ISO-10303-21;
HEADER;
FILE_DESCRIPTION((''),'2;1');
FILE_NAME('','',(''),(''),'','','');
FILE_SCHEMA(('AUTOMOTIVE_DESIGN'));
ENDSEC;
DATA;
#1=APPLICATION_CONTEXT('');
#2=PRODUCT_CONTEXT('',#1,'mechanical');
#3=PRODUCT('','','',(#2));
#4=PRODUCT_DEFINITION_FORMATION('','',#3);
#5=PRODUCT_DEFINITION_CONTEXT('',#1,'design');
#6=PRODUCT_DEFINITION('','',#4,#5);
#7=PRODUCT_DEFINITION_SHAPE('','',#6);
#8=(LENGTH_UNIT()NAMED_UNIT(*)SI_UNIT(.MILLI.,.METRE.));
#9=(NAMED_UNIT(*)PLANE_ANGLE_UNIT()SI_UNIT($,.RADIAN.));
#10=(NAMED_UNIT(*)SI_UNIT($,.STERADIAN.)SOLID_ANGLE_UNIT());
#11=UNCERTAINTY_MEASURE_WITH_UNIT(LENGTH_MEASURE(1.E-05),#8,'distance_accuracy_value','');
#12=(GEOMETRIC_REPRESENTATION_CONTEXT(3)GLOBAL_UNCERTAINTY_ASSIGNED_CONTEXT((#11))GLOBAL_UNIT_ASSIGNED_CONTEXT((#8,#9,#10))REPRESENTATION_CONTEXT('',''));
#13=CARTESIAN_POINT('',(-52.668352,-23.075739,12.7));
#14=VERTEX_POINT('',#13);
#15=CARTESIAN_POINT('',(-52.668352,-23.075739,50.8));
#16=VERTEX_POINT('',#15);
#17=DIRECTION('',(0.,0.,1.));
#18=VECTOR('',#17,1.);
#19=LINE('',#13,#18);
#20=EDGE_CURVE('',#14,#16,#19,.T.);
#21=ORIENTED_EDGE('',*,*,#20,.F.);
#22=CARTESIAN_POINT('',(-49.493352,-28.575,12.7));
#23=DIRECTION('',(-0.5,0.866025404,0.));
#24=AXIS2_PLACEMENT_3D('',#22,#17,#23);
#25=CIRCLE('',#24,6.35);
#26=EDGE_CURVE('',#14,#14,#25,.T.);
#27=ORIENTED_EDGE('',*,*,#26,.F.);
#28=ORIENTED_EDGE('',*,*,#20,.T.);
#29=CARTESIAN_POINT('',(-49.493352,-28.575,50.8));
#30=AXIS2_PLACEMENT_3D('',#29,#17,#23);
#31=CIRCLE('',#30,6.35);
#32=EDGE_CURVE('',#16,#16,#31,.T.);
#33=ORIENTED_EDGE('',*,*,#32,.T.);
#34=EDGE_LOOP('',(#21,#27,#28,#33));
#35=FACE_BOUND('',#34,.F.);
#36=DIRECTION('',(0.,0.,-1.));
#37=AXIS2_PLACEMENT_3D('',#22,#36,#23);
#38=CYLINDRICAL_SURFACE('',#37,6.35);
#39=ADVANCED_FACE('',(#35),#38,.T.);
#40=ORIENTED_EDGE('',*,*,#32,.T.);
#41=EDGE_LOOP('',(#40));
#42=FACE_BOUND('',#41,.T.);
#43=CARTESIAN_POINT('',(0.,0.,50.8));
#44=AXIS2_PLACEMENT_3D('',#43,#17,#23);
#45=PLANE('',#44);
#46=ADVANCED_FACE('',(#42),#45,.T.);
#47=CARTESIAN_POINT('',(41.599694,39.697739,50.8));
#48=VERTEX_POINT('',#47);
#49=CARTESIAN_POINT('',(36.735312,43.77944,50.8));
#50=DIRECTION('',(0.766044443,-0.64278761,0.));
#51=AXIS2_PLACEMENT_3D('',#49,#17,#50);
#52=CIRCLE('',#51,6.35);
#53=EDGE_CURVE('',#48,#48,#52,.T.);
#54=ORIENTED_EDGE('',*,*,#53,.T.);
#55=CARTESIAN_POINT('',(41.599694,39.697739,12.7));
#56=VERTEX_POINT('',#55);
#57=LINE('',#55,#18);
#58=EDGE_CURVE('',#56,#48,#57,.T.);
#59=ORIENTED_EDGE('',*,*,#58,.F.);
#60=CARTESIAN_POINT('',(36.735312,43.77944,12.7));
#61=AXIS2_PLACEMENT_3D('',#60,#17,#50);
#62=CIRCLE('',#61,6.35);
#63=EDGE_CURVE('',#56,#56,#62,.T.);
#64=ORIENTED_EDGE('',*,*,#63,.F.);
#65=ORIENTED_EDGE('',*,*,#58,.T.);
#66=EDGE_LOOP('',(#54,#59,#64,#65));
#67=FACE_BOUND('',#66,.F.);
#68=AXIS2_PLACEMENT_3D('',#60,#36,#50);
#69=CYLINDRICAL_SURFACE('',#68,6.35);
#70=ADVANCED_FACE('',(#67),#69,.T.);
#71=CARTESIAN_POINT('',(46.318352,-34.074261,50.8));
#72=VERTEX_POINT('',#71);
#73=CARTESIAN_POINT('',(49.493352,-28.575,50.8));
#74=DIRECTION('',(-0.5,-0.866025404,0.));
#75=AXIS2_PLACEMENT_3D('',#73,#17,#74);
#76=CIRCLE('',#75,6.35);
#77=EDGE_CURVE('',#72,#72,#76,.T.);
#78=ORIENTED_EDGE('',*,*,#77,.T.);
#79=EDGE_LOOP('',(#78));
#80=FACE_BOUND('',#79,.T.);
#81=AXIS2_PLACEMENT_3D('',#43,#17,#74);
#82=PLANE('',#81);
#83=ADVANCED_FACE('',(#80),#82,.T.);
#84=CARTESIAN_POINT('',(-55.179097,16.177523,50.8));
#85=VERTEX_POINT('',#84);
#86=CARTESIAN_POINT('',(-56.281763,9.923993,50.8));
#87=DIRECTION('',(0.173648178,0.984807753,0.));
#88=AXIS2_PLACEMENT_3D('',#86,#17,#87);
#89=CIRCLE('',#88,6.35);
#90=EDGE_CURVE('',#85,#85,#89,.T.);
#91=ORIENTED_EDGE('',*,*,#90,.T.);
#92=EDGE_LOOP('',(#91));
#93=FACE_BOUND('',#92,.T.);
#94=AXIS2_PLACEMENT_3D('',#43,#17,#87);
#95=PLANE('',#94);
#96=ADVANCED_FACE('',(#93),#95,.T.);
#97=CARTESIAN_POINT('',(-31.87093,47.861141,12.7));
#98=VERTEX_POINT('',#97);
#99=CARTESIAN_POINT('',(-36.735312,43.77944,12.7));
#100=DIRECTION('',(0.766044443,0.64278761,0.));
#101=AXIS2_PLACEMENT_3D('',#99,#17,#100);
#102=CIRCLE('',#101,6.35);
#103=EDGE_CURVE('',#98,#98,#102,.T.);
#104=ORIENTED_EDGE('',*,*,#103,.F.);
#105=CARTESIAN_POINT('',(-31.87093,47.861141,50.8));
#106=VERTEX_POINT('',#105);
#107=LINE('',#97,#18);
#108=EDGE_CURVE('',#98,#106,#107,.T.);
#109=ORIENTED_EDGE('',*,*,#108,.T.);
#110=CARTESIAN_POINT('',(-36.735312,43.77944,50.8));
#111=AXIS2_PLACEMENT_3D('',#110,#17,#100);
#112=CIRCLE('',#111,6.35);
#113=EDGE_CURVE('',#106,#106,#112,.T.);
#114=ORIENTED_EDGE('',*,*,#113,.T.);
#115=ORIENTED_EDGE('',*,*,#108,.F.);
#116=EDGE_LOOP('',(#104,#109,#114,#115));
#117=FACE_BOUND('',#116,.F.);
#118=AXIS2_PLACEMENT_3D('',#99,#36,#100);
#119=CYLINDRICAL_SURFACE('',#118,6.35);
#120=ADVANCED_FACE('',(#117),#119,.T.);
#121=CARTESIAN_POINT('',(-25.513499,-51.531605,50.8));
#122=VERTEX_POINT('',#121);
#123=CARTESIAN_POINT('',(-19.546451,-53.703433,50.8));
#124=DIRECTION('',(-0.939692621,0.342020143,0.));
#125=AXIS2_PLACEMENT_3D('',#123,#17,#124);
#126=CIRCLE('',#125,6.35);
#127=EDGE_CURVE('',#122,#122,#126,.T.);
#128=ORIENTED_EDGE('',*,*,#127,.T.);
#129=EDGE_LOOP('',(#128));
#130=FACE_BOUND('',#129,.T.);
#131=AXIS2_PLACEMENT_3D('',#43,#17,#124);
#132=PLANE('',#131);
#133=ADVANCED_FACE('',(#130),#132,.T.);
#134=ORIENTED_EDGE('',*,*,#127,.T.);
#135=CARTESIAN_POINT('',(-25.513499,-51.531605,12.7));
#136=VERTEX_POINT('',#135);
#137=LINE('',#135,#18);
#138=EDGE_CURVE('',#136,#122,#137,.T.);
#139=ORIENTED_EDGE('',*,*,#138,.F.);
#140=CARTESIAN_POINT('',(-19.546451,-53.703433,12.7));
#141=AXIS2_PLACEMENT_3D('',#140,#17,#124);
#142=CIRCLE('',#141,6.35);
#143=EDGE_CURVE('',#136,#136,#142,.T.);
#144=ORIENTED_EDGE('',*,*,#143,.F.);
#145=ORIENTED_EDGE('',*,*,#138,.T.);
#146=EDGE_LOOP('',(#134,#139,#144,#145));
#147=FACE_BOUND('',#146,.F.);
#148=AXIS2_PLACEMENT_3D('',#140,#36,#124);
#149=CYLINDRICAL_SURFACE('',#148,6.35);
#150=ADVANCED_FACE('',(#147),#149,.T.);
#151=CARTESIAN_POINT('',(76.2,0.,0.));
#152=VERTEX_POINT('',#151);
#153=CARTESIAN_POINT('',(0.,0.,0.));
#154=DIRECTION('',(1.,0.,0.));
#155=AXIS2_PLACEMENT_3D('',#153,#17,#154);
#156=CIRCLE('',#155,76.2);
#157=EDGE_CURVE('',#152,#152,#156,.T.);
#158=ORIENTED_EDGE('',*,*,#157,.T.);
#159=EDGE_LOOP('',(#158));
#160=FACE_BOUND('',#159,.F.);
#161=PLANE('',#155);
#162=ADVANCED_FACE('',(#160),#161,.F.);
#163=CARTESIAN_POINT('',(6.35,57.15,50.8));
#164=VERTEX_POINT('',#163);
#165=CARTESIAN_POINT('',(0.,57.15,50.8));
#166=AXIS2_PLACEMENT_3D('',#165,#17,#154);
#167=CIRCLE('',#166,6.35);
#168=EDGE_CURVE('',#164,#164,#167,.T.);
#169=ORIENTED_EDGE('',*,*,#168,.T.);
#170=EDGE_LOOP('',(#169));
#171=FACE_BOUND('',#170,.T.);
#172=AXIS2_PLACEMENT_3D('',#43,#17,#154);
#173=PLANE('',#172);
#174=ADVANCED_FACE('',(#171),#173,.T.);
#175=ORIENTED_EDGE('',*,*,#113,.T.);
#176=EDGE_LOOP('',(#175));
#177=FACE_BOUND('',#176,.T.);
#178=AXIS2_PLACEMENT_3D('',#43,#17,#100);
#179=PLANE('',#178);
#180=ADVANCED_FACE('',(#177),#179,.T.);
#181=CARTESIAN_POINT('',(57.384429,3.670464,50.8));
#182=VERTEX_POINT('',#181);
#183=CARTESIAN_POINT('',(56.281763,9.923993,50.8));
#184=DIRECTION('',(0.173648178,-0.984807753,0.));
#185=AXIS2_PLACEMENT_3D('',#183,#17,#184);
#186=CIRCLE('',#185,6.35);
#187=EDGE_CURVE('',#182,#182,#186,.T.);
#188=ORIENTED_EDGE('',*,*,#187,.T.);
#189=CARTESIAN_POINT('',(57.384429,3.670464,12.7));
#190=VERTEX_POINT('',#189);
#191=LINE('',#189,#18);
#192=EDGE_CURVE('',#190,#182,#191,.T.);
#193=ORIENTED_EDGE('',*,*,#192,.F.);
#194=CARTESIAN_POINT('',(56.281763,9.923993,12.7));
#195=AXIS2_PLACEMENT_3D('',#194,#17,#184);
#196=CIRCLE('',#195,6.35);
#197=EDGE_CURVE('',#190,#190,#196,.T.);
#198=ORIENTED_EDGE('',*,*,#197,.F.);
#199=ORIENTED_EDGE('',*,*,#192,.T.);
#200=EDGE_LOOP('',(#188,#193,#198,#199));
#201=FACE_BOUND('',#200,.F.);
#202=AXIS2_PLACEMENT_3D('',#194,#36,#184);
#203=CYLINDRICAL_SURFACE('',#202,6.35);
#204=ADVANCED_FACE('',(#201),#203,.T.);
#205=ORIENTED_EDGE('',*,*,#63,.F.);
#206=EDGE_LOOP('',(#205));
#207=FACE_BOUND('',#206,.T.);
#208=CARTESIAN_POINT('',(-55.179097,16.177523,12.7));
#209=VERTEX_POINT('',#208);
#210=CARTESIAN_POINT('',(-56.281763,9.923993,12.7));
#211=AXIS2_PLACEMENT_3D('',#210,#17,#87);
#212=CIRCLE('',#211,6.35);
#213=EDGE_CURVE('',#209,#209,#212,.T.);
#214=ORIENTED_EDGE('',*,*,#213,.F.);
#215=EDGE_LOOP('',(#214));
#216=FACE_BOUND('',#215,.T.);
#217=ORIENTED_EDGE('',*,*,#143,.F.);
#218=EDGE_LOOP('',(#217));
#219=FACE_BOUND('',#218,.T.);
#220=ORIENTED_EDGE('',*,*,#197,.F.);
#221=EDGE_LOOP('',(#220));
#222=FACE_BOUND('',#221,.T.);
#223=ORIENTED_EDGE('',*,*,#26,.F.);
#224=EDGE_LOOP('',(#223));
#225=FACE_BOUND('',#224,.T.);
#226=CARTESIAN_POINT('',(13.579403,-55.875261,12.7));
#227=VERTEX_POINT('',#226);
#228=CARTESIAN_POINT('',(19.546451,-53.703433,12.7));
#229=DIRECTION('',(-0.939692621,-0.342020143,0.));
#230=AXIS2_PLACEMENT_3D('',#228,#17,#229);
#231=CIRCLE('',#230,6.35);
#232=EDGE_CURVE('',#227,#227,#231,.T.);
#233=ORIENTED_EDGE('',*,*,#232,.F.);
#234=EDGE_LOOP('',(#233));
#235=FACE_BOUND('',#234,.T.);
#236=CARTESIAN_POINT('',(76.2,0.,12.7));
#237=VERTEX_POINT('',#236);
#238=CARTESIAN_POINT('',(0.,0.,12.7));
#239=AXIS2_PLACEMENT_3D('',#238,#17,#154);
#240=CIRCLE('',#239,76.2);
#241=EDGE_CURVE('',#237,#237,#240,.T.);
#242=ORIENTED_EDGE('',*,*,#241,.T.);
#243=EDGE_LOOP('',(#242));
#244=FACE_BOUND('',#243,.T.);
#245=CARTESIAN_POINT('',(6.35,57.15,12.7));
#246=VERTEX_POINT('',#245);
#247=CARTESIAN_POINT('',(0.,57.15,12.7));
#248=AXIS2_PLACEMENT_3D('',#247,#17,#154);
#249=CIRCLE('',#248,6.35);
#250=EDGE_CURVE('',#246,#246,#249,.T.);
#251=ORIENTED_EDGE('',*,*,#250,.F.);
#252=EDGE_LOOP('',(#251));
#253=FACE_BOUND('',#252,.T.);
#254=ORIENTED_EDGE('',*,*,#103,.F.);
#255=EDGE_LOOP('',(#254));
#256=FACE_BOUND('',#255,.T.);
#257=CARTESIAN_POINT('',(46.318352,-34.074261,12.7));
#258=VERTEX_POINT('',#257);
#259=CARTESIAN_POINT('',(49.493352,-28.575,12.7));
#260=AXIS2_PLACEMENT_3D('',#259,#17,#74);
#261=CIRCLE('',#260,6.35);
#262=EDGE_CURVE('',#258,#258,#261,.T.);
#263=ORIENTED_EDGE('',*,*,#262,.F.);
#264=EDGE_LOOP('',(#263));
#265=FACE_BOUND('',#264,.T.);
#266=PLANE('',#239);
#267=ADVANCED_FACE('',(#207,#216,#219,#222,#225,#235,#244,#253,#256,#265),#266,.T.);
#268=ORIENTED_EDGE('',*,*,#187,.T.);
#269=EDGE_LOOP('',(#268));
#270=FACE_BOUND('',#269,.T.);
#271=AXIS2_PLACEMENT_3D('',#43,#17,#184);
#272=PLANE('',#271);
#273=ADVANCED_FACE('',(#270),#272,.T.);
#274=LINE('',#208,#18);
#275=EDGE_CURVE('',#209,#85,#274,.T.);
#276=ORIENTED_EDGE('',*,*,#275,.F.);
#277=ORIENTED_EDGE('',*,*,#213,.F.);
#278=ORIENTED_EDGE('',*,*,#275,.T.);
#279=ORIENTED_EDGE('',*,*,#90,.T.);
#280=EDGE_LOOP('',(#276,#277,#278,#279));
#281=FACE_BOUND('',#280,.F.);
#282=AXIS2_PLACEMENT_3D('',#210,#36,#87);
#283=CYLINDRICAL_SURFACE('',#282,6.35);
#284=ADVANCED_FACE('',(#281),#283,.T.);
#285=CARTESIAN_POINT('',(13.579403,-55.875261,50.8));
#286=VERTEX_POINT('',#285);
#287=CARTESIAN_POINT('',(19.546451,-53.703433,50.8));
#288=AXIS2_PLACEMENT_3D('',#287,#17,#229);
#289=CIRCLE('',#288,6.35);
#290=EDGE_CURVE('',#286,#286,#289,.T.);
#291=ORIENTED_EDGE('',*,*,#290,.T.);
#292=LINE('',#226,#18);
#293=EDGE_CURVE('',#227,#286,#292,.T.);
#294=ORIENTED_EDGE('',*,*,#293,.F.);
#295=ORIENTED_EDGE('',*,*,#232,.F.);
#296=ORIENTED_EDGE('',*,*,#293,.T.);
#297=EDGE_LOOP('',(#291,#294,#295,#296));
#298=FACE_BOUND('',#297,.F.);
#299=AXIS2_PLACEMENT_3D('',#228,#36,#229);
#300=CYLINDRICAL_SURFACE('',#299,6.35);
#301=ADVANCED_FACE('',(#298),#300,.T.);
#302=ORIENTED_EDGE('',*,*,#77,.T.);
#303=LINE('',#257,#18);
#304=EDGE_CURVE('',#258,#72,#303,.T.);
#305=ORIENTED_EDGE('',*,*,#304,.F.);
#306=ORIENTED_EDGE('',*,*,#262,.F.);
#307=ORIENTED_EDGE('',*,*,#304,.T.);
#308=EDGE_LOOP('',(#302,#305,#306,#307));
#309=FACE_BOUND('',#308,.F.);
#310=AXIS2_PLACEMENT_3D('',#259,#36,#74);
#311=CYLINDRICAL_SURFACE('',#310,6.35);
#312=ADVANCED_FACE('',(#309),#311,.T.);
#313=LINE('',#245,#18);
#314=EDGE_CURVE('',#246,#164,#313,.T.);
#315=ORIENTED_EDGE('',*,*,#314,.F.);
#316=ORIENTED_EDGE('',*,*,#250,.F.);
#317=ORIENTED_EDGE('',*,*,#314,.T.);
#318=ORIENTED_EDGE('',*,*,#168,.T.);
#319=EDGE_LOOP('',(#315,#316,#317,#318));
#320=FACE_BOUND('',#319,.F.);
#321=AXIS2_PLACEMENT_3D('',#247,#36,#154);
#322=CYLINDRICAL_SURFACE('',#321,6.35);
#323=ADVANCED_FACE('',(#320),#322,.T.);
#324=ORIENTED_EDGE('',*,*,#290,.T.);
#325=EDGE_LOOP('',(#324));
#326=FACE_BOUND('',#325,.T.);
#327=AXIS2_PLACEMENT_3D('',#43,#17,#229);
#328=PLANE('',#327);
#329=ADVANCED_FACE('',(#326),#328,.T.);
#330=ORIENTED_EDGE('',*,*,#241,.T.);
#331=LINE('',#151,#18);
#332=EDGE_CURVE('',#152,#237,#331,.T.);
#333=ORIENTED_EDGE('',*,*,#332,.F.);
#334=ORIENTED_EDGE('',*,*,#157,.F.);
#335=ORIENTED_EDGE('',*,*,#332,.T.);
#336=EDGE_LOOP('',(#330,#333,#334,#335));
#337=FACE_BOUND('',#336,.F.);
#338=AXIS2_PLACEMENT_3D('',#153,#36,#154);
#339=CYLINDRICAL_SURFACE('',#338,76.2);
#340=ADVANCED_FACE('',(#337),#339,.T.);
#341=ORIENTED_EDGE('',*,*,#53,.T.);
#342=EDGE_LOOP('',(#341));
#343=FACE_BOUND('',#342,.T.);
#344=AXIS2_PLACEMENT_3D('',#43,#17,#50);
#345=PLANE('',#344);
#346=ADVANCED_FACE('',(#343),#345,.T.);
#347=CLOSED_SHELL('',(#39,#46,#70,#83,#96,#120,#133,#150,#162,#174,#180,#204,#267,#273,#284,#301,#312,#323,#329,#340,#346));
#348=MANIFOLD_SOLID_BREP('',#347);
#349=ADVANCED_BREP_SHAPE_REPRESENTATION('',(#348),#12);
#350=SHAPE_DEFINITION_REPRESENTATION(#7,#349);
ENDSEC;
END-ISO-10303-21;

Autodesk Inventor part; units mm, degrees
ref_plane "YZ Plane" through (0, 0, 0) normal (1, 0, 0) x (0, 1, 0)
ref_plane "XZ Plane" through (0, 0, 0) normal (0, 1, 0) x (-1, 0, 0)
ref_plane "XY Plane" through (0, 0, 0) normal (0, 0, 1) x (1, 0, 0)
sketch "Sketch1" plane through (0, 0, 0) normal (0, 0, 1) x (1, 0, 0)
  circle A0 centre (0, 0) radius 76.2
  dimension "d0" = 152.4
extrude "Extrusion1" add sketch "Sketch1" along normal blind 12.7
sketch "Sketch2" plane through (0, 0, 12.7) normal (0, 0, 1) x (1, 0, 0)
  circle A0 centre (0, 0) radius 76.2 projected
  circle A1 centre (0, 57.15) radius 6.35
  dimension "d3" = 12.7
  dimension "d4" = 57.15
extrude "Extrusion2" add sketch "Sketch2" along normal blind 38.1 contours A1
pattern_circular "Circular Pattern1" count 9 over 360 about axis through (0, 0, 0) along (0, 0, 1) of "Extrusion2"
properties part number "holder"
